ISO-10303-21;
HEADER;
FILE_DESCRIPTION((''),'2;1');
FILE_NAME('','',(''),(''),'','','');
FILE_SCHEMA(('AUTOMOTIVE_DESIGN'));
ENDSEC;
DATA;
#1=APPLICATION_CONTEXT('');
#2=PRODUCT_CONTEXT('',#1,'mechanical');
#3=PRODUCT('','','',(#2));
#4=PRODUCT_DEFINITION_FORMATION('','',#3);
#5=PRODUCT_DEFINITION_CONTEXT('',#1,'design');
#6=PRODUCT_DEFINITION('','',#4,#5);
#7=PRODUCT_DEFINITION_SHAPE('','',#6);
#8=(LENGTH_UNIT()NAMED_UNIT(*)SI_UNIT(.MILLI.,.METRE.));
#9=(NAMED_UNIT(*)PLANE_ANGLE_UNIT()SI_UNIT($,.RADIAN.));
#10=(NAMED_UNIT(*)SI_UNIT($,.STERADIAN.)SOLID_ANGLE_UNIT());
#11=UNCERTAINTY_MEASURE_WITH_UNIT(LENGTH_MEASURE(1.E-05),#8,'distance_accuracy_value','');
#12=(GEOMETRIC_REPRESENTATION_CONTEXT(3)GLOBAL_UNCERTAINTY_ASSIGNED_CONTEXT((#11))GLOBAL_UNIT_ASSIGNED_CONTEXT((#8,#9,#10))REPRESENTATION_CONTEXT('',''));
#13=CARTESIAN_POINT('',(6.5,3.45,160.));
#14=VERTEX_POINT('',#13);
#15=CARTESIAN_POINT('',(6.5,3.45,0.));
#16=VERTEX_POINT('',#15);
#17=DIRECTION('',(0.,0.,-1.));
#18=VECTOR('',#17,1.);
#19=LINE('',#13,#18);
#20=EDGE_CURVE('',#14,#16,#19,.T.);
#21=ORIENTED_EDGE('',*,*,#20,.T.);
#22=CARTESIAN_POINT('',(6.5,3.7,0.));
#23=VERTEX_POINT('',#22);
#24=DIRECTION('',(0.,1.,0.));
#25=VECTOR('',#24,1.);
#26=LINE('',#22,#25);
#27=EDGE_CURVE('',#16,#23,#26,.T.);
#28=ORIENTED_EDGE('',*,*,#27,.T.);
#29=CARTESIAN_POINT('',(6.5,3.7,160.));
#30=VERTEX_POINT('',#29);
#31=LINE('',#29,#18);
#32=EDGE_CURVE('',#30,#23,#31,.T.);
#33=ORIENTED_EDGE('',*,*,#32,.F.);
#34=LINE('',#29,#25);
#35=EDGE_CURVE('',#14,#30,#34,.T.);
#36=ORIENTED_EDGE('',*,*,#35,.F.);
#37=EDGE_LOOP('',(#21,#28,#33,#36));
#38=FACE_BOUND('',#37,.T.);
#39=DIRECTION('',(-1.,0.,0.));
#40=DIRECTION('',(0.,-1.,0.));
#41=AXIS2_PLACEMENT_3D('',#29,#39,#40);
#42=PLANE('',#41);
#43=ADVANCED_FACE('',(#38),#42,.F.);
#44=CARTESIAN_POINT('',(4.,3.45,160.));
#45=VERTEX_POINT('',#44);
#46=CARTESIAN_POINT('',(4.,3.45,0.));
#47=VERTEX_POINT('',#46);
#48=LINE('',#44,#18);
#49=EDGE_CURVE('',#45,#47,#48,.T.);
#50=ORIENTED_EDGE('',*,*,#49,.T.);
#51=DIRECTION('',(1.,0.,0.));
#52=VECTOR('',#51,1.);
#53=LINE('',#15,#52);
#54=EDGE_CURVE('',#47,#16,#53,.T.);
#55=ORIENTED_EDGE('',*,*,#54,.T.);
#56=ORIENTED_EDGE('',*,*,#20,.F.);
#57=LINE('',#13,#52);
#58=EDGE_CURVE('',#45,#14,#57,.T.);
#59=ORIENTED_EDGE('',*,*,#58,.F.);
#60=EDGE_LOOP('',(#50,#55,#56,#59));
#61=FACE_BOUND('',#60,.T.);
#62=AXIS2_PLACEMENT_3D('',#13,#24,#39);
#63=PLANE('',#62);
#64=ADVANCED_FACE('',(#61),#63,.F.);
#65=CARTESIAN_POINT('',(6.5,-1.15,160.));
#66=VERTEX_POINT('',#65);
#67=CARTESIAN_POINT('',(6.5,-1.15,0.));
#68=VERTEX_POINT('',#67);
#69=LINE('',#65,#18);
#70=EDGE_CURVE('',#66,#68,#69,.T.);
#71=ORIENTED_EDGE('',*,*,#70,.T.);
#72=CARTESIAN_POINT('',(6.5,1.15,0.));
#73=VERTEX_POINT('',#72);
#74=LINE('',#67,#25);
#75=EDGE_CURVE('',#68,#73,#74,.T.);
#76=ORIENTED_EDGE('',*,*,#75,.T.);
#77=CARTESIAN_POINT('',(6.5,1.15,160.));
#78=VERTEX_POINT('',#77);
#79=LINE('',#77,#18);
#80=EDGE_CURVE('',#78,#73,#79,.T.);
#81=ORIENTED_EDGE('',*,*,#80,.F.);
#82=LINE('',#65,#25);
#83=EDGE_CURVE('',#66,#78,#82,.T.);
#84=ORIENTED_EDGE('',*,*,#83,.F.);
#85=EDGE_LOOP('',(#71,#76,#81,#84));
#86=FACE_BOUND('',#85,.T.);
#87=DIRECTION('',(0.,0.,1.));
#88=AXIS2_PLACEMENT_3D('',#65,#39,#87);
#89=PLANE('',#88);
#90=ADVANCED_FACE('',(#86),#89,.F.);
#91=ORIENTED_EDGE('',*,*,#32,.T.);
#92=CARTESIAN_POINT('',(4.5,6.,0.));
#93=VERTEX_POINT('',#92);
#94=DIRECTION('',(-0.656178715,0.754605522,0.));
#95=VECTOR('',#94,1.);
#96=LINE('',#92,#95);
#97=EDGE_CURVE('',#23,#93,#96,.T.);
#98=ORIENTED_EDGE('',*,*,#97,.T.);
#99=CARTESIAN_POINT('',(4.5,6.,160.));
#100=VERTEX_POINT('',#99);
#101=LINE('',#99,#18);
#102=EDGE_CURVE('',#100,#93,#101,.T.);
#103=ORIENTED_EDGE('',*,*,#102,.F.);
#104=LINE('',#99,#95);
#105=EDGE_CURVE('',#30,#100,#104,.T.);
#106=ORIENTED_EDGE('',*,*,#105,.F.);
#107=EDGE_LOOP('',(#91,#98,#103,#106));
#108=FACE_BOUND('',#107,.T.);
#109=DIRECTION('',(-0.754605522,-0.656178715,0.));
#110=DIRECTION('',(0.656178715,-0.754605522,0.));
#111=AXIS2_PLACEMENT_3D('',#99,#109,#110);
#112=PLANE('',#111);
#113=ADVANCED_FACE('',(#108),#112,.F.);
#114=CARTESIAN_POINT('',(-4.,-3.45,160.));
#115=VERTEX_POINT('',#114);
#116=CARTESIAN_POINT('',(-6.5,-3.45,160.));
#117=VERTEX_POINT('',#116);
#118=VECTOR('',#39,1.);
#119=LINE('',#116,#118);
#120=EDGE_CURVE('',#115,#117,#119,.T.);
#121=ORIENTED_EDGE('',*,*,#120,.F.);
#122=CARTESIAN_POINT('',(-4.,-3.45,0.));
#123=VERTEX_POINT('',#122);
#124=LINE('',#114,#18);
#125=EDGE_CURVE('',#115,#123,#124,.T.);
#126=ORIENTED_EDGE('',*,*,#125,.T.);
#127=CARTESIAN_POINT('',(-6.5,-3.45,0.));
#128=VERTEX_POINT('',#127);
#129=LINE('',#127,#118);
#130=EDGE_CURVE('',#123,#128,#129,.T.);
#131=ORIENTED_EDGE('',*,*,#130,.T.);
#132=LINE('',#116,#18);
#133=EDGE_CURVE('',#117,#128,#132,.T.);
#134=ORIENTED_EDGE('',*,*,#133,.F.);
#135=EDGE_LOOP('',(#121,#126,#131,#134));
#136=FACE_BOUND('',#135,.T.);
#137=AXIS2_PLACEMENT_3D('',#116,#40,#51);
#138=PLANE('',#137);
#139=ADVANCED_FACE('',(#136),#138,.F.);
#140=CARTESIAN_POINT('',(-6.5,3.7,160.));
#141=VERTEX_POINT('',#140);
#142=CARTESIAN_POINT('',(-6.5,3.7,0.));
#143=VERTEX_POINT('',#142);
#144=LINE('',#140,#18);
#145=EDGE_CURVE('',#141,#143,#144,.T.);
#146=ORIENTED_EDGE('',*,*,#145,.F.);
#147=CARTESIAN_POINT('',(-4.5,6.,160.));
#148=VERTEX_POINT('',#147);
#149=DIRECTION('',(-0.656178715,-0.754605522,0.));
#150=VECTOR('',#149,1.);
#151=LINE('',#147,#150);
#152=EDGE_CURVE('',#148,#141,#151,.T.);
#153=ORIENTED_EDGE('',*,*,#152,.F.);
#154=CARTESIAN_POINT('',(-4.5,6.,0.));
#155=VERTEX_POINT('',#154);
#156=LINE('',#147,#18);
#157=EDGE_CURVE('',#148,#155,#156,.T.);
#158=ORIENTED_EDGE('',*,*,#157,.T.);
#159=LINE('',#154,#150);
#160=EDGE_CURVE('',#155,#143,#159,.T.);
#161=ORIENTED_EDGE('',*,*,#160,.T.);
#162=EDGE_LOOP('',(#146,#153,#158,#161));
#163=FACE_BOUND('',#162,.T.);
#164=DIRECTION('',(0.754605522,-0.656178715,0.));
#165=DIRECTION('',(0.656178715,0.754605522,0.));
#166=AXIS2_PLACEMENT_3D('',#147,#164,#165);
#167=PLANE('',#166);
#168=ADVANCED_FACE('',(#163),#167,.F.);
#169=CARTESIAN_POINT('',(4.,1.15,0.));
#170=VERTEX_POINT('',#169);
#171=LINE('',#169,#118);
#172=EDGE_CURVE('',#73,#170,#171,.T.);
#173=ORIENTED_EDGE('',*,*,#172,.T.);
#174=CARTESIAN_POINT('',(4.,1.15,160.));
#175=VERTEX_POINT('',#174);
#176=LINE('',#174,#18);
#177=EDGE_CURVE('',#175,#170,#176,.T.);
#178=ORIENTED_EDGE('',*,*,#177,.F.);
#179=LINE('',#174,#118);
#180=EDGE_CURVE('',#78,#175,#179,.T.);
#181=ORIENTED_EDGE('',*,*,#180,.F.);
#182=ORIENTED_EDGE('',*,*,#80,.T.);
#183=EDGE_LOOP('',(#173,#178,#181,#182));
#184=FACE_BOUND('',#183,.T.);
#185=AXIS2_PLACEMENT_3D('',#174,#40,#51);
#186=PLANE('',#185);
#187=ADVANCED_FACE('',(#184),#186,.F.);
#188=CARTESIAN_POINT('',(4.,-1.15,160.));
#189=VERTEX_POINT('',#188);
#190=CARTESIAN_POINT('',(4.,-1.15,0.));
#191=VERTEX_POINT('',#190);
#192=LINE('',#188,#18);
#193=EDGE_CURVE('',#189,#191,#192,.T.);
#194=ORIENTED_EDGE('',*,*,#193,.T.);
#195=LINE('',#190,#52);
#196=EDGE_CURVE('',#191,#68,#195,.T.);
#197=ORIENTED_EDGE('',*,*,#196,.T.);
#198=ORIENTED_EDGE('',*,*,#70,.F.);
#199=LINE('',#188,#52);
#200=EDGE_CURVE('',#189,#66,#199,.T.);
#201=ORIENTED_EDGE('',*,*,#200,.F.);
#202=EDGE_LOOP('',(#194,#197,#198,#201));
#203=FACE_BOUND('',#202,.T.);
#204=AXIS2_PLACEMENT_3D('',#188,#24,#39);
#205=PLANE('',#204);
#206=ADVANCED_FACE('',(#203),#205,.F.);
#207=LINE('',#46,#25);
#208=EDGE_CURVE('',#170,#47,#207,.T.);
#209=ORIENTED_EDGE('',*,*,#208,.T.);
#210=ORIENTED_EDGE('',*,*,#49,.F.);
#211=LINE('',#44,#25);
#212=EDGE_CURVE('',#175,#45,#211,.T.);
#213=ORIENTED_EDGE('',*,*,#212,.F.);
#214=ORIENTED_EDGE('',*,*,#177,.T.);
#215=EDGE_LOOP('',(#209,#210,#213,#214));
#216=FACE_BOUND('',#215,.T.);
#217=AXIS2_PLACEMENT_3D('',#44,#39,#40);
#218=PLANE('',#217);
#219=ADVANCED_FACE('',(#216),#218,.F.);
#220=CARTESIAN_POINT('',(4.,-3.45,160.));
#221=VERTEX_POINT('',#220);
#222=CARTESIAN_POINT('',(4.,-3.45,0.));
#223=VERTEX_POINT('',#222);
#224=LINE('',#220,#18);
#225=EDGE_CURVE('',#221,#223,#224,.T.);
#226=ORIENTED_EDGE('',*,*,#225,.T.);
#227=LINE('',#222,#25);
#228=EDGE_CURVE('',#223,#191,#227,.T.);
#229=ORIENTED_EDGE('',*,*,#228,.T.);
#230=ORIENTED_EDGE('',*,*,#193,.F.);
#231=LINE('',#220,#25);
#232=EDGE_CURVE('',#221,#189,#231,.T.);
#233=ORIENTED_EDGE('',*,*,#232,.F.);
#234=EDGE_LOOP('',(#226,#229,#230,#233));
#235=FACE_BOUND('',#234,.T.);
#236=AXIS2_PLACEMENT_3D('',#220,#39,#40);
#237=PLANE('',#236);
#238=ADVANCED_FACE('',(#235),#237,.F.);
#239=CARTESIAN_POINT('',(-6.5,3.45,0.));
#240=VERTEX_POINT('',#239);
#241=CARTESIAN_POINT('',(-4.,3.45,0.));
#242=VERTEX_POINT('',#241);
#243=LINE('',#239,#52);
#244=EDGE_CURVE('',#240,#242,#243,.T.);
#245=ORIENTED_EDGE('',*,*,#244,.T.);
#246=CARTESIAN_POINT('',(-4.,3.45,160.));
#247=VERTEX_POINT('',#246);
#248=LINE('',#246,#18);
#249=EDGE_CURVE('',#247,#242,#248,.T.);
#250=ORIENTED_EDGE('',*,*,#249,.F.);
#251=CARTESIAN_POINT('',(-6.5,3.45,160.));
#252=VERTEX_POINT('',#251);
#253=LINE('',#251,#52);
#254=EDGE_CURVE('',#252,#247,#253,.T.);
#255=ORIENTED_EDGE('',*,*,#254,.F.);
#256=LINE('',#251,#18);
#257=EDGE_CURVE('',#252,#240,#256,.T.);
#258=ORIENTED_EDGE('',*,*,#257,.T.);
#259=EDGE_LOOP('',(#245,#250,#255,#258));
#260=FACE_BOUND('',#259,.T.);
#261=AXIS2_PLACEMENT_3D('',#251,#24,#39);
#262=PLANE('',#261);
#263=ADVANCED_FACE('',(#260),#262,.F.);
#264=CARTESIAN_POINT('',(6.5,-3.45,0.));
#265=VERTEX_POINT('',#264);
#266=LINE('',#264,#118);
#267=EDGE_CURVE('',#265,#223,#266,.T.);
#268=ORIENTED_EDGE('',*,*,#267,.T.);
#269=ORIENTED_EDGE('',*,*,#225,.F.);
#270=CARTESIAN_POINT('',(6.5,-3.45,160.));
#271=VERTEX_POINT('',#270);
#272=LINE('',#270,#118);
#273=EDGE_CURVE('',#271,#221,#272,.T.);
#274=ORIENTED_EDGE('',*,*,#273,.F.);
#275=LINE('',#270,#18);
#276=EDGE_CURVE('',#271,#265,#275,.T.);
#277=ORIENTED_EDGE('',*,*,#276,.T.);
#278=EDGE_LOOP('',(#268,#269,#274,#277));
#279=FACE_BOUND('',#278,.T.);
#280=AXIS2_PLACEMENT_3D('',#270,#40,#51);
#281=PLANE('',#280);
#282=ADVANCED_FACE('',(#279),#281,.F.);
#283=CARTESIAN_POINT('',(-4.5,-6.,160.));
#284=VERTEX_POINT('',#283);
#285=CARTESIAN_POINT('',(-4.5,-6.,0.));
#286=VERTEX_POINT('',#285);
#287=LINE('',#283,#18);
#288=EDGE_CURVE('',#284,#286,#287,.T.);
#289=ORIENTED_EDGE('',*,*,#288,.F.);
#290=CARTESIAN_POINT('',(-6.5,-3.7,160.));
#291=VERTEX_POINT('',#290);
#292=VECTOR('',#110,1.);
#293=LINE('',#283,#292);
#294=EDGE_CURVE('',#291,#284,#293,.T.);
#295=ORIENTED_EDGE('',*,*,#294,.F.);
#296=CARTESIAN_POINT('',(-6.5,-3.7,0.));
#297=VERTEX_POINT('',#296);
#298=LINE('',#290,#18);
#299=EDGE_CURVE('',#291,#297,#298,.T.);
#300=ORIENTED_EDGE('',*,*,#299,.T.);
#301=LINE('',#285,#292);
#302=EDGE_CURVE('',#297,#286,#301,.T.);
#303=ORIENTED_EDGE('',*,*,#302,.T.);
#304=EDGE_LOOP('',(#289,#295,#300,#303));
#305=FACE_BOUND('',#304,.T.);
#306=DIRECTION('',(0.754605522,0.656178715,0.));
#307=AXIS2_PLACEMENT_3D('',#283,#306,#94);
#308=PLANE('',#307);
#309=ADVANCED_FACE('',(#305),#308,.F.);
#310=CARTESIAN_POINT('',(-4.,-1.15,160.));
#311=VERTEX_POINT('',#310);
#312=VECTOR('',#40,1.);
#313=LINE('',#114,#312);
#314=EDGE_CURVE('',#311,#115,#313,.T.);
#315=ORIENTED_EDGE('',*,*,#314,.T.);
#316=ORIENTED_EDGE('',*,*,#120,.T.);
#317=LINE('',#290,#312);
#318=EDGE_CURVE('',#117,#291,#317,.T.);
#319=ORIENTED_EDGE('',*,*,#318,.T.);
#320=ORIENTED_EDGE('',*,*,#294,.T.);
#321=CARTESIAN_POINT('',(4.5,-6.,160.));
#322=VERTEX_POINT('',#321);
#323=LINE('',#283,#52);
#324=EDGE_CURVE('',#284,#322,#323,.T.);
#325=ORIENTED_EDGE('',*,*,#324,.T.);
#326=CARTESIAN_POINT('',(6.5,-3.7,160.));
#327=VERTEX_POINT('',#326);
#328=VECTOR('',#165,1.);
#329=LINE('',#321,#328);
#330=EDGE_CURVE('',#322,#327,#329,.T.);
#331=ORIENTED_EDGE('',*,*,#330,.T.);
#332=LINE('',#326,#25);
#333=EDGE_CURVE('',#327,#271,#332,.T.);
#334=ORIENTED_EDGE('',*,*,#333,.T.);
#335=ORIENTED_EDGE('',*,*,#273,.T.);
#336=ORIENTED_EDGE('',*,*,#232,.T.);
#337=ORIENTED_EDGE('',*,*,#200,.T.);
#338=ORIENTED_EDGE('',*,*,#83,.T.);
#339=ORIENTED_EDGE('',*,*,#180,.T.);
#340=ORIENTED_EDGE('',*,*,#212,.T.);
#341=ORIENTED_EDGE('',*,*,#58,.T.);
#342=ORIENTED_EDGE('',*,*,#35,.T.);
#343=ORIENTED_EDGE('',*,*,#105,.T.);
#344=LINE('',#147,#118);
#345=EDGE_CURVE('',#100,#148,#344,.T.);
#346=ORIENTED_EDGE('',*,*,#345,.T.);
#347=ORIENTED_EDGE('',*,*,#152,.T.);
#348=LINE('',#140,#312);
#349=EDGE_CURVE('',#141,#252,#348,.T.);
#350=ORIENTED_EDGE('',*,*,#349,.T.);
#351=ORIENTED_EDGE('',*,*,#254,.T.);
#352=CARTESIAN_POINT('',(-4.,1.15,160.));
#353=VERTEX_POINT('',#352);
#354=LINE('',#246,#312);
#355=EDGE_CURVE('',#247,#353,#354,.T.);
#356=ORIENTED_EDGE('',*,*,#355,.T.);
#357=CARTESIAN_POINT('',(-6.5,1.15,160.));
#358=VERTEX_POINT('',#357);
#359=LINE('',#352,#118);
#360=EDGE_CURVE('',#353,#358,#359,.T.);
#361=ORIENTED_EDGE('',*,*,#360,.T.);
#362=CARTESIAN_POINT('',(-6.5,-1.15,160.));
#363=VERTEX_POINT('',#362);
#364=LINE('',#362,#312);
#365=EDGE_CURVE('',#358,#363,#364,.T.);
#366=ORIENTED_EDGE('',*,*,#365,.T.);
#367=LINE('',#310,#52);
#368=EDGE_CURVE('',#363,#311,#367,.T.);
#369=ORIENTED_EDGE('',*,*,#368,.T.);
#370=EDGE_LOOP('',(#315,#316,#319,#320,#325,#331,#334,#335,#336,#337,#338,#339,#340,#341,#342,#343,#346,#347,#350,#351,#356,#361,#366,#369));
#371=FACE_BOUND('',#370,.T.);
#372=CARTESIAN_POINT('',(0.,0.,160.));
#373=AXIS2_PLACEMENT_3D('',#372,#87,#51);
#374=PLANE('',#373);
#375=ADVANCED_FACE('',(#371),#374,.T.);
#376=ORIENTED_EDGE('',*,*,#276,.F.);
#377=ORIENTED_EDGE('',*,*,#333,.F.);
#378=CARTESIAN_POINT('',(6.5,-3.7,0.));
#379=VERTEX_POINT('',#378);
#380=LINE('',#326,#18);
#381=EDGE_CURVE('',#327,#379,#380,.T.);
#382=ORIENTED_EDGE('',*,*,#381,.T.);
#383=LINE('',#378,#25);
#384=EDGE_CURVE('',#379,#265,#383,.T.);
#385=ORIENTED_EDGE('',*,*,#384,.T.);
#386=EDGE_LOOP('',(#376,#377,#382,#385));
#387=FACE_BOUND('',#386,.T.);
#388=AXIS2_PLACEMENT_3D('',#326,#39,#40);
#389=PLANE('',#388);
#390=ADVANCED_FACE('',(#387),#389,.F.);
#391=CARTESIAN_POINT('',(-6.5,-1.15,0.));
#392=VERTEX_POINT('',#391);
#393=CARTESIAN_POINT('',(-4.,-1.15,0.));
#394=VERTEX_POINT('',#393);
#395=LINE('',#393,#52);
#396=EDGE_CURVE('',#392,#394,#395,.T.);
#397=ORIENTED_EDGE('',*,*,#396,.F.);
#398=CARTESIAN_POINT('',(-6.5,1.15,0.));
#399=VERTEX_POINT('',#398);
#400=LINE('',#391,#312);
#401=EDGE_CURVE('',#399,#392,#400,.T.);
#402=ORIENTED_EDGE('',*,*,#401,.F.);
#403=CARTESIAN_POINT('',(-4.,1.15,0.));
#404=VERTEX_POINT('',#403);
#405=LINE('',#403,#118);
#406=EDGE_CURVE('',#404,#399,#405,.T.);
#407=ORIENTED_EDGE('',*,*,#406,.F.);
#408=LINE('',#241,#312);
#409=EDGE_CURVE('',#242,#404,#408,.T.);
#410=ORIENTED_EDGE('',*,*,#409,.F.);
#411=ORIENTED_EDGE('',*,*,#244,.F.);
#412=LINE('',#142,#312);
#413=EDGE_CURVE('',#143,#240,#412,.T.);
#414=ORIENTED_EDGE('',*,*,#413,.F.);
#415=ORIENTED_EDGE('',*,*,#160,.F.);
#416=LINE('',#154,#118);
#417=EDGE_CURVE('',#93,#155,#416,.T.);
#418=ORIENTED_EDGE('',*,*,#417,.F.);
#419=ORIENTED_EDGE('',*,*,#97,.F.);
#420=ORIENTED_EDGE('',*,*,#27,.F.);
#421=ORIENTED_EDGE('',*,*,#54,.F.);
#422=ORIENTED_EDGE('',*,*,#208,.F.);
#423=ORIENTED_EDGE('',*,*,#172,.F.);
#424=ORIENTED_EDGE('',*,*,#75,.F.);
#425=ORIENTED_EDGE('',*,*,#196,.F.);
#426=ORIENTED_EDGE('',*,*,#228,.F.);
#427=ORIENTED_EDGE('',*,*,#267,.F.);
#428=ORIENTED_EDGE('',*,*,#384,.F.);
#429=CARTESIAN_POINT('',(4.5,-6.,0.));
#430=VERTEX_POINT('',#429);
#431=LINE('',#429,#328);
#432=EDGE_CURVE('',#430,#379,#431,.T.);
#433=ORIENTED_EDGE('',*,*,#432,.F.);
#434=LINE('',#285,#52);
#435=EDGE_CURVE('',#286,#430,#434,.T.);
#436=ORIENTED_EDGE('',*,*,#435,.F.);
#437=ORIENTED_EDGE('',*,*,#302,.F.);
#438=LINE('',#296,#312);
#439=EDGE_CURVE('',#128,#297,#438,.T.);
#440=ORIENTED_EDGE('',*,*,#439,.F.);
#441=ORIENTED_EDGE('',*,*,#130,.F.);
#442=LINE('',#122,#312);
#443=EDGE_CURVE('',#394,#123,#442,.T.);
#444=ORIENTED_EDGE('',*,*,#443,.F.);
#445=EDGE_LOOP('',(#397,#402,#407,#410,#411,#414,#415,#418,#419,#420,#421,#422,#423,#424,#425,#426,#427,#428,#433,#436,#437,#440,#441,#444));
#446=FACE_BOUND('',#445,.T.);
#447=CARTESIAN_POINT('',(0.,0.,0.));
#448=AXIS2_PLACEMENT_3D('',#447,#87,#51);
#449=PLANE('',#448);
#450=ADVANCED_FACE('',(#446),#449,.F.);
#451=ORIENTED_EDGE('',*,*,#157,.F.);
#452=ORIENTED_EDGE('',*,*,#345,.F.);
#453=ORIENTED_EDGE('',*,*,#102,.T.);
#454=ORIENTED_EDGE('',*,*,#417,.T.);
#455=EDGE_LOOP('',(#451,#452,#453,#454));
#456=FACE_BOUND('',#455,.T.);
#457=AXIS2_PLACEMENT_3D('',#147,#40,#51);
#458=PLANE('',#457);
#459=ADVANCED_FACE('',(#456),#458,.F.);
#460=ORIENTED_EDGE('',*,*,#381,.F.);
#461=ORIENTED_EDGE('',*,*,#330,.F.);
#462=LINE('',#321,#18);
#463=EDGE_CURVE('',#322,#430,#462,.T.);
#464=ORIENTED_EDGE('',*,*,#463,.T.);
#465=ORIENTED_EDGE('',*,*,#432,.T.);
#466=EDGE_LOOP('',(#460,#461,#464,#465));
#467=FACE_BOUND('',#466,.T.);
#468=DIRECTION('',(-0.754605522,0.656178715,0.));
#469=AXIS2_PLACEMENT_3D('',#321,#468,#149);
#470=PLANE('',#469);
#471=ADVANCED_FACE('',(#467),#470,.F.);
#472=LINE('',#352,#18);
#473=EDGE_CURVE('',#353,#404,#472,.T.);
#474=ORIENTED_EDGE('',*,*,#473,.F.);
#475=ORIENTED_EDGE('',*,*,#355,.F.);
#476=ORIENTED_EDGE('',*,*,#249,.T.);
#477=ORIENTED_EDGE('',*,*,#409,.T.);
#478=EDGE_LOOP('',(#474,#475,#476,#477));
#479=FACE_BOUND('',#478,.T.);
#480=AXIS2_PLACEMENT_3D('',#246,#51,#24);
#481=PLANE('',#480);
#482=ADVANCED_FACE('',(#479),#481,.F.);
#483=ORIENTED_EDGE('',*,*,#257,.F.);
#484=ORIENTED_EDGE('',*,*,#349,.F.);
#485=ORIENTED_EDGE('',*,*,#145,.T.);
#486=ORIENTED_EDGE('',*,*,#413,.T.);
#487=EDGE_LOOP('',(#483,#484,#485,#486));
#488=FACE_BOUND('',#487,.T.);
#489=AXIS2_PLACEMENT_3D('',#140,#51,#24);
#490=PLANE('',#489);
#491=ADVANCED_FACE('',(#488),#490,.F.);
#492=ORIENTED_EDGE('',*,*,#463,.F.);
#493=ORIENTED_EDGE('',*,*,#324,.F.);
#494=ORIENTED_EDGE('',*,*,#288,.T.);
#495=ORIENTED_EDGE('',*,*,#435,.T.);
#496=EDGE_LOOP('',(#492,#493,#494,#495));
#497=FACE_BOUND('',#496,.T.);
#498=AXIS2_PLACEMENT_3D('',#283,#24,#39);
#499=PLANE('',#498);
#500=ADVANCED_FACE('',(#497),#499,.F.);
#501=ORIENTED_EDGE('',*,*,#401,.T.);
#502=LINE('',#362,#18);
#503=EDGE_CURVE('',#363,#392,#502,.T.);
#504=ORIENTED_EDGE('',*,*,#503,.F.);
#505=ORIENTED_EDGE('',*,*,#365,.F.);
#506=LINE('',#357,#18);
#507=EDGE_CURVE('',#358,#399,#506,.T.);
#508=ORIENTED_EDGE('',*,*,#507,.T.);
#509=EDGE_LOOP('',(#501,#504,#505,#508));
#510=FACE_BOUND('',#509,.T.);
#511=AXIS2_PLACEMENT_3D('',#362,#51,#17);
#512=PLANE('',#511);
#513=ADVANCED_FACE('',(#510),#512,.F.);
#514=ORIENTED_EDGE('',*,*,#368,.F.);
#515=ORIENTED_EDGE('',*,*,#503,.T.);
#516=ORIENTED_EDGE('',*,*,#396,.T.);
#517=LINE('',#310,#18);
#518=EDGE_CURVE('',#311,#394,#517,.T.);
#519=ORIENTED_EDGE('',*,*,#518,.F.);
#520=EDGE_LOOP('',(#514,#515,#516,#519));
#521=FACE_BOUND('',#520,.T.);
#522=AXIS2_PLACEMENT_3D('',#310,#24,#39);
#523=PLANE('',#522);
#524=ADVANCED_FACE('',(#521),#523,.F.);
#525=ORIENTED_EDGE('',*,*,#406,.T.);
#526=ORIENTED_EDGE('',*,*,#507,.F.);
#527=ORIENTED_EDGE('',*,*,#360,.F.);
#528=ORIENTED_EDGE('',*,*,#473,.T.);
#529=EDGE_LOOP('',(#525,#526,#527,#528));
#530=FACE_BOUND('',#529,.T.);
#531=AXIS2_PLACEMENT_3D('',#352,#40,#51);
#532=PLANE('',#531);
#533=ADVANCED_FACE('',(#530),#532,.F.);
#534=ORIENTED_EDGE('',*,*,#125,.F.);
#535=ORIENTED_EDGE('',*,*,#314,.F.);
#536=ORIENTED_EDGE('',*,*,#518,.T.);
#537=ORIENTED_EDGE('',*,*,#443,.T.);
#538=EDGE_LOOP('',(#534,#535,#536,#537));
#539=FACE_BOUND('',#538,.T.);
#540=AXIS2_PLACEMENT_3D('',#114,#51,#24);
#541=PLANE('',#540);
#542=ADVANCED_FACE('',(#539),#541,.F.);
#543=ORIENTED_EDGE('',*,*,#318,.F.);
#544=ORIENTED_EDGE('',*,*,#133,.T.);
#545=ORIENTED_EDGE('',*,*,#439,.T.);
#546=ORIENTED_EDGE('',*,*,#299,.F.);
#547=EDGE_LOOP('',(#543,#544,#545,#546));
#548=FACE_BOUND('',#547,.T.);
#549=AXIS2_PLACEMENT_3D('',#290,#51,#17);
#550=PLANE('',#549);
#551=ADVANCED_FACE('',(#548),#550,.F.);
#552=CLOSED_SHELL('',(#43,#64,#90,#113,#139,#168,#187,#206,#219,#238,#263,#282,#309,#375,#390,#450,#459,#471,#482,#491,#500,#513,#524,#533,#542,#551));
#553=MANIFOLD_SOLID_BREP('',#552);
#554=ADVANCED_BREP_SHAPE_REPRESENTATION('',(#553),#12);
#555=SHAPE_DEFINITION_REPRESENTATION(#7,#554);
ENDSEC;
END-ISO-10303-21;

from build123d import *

# Parameters (mm, degrees)
RESSALTO_EXTRUS_O1_DEPTH = 160


with BuildPart() as part:
    # Esboço1 → Ressalto-extrusão1 (new body)
    with BuildSketch(Plane.XY):
        Polygon((-4.5, -6), (4.5, -6), (6.5, -3.7), (6.5, -3.45), (4, -3.45), (4, -1.15), (6.5, -1.15), (6.5, 1.15), (4, 1.15), (4, 3.45), (6.5, 3.45), (6.5, 3.7), (4.5, 6), (-4.5, 6), (-6.5, 3.7), (-6.5, 3.45), (-4, 3.45), (-4, 1.15), (-6.5, 1.15), (-6.5, -1.15), (-4, -1.15), (-4, -3.45), (-6.5, -3.45), (-6.5, -3.7), align=None)
    extrude(amount=RESSALTO_EXTRUS_O1_DEPTH)


solid = part.part
